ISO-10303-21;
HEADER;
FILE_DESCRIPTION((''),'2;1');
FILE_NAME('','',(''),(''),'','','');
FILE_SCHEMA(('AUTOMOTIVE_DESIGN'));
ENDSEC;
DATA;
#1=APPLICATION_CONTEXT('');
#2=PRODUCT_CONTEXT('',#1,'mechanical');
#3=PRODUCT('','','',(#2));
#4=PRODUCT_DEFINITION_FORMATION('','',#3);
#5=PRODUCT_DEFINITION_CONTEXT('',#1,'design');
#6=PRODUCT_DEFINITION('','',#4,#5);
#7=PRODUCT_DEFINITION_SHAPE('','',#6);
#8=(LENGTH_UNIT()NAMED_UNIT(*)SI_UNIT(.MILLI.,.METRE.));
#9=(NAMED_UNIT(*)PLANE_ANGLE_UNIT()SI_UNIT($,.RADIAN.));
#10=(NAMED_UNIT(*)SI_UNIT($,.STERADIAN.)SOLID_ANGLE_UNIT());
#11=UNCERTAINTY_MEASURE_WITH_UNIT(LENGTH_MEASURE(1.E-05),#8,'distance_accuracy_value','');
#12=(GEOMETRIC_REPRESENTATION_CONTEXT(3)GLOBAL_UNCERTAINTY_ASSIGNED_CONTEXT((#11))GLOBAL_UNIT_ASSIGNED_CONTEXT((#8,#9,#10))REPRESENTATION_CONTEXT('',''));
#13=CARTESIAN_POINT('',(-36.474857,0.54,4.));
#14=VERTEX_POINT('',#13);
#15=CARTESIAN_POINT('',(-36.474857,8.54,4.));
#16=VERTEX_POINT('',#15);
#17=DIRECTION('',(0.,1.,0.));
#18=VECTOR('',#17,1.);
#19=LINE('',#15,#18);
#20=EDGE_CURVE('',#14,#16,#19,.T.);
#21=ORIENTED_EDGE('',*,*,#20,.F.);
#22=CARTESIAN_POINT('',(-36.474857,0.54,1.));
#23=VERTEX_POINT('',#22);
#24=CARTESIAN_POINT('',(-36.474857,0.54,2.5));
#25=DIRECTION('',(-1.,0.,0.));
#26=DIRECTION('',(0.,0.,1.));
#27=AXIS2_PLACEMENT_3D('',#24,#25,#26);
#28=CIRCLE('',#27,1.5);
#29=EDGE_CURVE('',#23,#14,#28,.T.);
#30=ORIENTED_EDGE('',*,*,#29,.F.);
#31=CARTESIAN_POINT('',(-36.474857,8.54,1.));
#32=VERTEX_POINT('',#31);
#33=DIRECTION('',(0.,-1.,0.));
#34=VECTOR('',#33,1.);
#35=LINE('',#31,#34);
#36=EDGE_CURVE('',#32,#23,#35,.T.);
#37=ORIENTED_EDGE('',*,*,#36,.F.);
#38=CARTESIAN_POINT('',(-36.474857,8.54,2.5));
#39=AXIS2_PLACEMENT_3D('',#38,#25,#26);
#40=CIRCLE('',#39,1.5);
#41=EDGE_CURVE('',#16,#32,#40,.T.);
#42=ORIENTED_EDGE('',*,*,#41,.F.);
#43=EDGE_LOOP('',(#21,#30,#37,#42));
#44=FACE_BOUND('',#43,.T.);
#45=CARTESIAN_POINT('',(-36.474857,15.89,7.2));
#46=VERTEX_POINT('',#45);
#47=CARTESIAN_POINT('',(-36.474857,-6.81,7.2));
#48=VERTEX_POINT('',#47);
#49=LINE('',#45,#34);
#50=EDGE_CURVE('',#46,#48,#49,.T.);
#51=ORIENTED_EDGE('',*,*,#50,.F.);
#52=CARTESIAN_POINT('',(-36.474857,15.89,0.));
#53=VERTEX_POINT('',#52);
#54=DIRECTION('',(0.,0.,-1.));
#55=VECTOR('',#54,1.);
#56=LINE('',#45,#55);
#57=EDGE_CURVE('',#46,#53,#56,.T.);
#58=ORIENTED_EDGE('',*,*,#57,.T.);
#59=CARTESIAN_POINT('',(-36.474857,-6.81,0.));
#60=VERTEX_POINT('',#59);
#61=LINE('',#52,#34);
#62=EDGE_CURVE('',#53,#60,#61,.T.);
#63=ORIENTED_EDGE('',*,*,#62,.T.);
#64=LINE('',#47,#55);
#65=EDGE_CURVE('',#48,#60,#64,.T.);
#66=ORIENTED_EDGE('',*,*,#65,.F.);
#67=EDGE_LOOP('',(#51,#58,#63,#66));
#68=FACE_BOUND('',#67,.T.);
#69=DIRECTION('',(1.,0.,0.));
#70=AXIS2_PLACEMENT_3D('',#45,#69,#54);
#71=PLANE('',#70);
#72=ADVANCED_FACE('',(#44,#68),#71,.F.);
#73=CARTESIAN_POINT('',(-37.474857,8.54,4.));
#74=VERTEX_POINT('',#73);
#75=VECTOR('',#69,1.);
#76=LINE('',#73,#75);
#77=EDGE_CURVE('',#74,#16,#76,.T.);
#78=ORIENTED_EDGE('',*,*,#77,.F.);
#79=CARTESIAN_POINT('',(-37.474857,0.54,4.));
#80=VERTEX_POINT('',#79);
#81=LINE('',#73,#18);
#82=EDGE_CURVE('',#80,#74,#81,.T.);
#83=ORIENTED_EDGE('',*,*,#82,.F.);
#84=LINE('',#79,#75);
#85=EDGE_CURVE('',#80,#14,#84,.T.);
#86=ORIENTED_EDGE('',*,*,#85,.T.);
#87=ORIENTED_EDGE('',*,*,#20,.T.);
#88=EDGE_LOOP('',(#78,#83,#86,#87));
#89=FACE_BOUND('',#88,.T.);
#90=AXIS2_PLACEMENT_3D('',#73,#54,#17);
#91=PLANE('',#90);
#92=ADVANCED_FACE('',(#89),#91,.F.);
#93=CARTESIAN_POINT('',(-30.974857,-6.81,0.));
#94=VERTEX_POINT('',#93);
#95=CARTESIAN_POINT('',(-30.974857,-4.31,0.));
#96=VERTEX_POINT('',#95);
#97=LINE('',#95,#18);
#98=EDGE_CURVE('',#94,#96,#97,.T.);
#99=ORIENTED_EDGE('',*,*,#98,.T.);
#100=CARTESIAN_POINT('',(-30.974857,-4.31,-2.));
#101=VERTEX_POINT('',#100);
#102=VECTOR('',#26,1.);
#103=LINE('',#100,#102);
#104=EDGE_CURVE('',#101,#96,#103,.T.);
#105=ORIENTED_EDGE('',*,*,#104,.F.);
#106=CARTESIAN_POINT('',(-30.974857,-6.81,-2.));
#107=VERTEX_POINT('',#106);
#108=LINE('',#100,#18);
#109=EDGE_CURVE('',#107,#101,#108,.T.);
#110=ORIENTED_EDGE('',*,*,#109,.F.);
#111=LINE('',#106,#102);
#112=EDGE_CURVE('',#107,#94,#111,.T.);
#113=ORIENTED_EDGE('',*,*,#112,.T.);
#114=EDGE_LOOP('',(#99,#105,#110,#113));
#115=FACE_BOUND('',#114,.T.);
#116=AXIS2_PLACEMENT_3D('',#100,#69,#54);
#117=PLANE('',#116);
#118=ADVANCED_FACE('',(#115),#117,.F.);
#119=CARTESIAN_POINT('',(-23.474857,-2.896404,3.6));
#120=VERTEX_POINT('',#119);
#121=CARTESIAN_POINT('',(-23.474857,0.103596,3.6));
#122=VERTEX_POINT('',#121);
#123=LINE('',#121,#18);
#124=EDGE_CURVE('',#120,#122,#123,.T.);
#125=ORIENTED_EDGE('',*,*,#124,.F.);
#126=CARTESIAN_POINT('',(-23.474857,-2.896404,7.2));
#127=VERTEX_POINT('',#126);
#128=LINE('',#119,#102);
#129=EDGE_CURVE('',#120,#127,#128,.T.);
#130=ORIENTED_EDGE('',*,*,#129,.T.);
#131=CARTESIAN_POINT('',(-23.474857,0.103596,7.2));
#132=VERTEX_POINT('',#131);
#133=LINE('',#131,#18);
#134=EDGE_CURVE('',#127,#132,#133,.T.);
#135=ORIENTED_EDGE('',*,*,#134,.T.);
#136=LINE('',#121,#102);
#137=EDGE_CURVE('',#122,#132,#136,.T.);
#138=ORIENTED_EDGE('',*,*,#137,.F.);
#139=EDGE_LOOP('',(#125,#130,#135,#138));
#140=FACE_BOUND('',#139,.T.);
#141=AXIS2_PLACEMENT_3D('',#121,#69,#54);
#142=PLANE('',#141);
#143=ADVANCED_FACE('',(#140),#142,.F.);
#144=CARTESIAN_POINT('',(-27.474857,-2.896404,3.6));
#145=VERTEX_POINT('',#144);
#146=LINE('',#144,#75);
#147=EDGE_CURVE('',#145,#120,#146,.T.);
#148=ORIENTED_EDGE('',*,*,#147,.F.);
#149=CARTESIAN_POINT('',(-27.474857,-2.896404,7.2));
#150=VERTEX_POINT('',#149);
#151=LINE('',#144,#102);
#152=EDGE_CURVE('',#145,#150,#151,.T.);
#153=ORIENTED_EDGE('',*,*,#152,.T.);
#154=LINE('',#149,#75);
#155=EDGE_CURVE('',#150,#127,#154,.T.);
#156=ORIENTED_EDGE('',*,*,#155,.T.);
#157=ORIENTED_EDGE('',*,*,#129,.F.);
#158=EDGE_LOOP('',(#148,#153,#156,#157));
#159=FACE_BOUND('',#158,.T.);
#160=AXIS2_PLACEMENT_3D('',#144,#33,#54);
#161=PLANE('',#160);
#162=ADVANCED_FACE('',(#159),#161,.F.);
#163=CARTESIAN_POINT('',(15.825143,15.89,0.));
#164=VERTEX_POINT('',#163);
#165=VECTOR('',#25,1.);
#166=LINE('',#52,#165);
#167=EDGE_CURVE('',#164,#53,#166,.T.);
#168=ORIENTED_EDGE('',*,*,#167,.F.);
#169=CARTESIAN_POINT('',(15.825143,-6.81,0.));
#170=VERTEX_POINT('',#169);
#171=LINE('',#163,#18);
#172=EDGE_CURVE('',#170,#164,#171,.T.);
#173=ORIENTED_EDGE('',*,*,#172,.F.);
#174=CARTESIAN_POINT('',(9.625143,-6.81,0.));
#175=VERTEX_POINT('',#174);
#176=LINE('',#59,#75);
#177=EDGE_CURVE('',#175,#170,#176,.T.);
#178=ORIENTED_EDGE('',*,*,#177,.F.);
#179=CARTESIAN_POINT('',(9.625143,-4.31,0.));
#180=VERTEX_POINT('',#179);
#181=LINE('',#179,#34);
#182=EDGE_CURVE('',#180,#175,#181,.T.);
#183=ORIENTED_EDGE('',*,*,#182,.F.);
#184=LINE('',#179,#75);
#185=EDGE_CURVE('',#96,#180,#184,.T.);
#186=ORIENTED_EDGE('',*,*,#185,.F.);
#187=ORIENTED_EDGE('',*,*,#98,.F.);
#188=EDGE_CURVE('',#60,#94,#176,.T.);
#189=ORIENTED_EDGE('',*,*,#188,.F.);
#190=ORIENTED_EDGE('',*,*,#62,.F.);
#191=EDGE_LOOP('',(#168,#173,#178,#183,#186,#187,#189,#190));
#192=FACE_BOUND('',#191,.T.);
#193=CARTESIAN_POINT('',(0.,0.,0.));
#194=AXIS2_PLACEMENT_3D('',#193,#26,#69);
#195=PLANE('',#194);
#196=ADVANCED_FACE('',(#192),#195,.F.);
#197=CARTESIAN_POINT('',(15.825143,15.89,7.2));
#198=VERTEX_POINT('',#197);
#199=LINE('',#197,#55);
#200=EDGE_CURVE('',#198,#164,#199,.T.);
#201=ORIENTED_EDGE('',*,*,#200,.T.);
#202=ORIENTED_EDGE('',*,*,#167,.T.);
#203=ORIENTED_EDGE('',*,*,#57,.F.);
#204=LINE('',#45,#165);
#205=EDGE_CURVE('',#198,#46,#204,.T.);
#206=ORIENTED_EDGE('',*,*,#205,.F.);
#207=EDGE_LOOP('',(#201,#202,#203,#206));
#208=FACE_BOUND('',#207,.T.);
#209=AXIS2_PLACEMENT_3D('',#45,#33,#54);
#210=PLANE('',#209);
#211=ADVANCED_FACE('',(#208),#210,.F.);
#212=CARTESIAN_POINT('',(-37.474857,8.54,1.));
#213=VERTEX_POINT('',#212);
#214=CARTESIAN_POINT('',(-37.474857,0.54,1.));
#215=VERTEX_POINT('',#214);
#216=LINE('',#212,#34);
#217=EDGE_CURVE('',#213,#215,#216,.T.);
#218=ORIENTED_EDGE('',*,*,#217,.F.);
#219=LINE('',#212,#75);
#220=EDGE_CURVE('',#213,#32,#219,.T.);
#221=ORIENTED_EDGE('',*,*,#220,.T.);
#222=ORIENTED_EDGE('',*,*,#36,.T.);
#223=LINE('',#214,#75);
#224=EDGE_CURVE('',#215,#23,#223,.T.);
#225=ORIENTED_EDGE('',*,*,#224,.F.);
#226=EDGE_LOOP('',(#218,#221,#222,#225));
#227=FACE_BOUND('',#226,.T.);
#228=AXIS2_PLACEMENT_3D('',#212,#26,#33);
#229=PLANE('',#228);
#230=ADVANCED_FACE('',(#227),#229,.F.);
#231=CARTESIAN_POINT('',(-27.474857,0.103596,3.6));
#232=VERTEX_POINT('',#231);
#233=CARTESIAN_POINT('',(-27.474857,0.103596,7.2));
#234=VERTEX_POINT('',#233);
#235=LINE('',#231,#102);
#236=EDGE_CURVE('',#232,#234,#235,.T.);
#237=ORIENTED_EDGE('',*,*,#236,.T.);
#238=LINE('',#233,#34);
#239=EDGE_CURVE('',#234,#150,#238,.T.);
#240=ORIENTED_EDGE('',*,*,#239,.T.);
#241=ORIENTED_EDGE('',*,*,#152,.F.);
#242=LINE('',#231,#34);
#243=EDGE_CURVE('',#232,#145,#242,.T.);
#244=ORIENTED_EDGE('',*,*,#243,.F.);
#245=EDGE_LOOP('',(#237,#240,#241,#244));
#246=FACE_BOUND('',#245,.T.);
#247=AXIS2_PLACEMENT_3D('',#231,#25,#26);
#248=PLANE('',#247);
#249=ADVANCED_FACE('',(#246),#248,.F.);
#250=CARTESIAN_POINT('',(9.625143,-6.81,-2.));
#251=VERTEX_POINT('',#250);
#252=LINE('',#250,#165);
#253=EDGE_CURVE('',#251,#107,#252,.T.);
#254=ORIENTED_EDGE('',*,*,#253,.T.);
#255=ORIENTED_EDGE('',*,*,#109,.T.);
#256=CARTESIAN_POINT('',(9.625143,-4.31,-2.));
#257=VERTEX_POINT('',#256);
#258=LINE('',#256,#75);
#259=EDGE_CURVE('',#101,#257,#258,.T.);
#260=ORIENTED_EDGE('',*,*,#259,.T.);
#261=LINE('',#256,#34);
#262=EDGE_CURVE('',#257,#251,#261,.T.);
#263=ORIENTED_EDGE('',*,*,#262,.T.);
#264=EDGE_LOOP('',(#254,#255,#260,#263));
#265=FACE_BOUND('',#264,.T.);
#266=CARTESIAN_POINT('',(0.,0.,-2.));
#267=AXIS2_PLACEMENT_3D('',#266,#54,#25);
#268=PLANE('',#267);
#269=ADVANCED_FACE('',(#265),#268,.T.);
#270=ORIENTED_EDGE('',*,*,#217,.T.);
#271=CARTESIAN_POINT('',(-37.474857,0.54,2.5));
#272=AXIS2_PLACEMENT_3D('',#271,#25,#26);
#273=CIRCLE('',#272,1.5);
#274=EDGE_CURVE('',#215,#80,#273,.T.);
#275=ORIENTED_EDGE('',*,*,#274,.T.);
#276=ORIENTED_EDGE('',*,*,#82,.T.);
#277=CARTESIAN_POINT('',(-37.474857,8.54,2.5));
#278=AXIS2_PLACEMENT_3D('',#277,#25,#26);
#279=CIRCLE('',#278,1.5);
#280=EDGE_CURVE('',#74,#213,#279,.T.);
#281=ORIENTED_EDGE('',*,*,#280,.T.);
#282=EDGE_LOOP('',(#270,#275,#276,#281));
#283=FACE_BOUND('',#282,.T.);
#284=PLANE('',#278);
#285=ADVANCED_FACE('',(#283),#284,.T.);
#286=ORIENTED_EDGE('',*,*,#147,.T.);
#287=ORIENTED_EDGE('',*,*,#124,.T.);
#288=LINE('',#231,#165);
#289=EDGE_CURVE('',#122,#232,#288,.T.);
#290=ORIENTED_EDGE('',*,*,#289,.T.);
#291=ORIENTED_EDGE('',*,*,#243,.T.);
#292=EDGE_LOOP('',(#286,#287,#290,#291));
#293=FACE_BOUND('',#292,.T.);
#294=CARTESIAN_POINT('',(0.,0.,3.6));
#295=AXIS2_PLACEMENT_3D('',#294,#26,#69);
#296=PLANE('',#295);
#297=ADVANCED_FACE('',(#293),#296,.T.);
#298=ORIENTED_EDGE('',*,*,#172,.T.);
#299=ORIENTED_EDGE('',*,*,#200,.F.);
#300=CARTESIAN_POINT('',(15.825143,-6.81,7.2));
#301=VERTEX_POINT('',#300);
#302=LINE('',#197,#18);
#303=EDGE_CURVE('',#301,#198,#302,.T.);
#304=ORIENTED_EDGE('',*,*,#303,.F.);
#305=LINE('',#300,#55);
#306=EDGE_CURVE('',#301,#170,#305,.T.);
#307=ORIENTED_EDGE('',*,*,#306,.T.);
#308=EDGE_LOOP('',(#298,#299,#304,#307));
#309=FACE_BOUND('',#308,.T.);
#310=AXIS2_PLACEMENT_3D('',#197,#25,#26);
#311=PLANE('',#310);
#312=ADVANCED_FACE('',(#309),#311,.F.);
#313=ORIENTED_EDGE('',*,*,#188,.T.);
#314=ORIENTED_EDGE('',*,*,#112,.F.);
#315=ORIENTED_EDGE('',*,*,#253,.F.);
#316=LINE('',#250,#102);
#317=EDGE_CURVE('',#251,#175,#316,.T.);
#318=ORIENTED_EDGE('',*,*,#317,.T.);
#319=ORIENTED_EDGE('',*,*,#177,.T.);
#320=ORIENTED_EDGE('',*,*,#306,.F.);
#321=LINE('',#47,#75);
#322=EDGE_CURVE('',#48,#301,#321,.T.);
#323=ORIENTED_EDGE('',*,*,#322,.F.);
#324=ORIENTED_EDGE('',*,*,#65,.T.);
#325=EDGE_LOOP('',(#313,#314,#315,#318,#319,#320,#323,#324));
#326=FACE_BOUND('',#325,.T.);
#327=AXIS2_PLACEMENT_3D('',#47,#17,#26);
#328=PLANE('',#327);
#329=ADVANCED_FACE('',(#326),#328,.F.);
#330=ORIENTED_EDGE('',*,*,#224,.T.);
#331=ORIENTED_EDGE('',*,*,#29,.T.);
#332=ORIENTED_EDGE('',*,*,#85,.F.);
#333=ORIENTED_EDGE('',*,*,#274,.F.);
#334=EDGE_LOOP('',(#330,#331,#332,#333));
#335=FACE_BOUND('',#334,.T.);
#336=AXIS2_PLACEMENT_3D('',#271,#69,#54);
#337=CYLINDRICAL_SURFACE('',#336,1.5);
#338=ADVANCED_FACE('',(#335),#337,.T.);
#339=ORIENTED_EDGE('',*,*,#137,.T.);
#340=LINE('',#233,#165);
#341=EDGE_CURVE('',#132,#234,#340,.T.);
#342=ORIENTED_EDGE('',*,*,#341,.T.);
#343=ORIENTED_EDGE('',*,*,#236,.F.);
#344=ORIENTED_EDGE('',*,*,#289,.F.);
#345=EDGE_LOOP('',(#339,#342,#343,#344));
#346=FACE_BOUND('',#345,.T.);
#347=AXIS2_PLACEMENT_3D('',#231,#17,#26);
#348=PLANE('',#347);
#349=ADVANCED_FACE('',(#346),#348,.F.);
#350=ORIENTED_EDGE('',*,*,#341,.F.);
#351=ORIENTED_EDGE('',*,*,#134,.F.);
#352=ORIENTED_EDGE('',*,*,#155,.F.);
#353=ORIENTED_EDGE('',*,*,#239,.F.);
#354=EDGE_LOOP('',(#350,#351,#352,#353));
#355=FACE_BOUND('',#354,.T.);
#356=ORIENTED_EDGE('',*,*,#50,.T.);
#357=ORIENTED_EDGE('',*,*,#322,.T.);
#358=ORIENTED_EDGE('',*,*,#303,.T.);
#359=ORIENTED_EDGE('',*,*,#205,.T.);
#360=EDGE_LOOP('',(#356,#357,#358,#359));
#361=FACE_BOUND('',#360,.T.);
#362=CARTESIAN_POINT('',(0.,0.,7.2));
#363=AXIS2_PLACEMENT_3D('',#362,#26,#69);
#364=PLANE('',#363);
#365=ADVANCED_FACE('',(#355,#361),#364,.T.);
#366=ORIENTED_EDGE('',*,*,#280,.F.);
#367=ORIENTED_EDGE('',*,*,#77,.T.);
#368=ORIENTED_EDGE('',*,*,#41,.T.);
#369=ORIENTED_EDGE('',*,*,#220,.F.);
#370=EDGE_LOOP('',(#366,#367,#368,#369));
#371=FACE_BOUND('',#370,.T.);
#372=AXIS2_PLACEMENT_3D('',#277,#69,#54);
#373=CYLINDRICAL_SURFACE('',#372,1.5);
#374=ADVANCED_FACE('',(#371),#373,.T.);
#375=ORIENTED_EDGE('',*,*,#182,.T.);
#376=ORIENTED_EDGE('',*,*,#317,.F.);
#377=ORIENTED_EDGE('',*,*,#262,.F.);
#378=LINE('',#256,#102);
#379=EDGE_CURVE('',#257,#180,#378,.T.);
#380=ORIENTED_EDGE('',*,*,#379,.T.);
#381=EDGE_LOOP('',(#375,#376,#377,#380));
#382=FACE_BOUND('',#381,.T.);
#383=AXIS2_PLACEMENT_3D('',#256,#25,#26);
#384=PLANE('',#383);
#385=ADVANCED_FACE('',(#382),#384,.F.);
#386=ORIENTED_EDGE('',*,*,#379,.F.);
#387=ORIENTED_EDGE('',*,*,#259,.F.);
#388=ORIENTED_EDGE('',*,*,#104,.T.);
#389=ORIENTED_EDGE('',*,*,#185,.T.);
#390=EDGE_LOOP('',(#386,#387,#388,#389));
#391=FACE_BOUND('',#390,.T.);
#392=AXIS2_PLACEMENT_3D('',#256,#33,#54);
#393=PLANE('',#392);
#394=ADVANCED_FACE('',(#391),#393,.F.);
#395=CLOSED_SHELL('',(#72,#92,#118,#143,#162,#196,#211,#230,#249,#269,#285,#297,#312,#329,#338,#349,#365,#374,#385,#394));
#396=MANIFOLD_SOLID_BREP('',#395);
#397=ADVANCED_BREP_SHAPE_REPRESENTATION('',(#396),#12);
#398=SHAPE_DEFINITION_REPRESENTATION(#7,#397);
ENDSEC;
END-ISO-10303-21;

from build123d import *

# Parameters (mm, degrees)
SKETCH_1_W          = 52.3
SKETCH_1_H          = 22.7
EXTRUDE_1_DEPTH     = 7.2
SKETCH_2_W          = 40.6
SKETCH_2_H          = 2.5
EXTRUDE_2_DEPTH     = 2
EXTRUDE_3_DEPTH     = 1
SKETCH_9_W          = 4
SKETCH_9_H          = 3
CUT_EXTRUDE_1_DEPTH = 3.6


with BuildPart() as part:
    # 草图1 → 凸台-拉伸1 (new body)
    with BuildSketch(Plane.XY):
        with Locations((-10.324857143, 4.54)):
            Rectangle(SKETCH_1_W, SKETCH_1_H)
    extrude(amount=EXTRUDE_1_DEPTH)

    # 草图2 → 凸台-拉伸2 (add)
    with BuildSketch(Plane(origin=(0, 0, 0), x_dir=(-1, 0, 0), z_dir=(0, 0, -1))):
        with Locations((10.674857143, -5.56)):
            Rectangle(SKETCH_2_W, SKETCH_2_H)
    extrude(amount=EXTRUDE_2_DEPTH)

    # 草图5 → 凸台-拉伸3 (add)
    with BuildSketch(Plane.ZY.offset(36.474857143)):
        with BuildLine():
            Line((4, 8.54), (4, 0.54))
            ThreePointArc((4, 0.54), (2.5, -0.96), (1, 0.54))
            Line((1, 0.54), (1, 8.54))
            ThreePointArc((1, 8.54), (2.5, 10.04), (4, 8.54))
        make_face()
    extrude(amount=EXTRUDE_3_DEPTH)

    # 草图9 → 切除-拉伸1 (cut)
    with BuildSketch(Plane.XY.offset(7.2)):
        with Locations((-25.474857143, -1.396404092)):
            Rectangle(SKETCH_9_W, SKETCH_9_H)
    extrude(amount=-CUT_EXTRUDE_1_DEPTH, mode=Mode.SUBTRACT)


solid = part.part
